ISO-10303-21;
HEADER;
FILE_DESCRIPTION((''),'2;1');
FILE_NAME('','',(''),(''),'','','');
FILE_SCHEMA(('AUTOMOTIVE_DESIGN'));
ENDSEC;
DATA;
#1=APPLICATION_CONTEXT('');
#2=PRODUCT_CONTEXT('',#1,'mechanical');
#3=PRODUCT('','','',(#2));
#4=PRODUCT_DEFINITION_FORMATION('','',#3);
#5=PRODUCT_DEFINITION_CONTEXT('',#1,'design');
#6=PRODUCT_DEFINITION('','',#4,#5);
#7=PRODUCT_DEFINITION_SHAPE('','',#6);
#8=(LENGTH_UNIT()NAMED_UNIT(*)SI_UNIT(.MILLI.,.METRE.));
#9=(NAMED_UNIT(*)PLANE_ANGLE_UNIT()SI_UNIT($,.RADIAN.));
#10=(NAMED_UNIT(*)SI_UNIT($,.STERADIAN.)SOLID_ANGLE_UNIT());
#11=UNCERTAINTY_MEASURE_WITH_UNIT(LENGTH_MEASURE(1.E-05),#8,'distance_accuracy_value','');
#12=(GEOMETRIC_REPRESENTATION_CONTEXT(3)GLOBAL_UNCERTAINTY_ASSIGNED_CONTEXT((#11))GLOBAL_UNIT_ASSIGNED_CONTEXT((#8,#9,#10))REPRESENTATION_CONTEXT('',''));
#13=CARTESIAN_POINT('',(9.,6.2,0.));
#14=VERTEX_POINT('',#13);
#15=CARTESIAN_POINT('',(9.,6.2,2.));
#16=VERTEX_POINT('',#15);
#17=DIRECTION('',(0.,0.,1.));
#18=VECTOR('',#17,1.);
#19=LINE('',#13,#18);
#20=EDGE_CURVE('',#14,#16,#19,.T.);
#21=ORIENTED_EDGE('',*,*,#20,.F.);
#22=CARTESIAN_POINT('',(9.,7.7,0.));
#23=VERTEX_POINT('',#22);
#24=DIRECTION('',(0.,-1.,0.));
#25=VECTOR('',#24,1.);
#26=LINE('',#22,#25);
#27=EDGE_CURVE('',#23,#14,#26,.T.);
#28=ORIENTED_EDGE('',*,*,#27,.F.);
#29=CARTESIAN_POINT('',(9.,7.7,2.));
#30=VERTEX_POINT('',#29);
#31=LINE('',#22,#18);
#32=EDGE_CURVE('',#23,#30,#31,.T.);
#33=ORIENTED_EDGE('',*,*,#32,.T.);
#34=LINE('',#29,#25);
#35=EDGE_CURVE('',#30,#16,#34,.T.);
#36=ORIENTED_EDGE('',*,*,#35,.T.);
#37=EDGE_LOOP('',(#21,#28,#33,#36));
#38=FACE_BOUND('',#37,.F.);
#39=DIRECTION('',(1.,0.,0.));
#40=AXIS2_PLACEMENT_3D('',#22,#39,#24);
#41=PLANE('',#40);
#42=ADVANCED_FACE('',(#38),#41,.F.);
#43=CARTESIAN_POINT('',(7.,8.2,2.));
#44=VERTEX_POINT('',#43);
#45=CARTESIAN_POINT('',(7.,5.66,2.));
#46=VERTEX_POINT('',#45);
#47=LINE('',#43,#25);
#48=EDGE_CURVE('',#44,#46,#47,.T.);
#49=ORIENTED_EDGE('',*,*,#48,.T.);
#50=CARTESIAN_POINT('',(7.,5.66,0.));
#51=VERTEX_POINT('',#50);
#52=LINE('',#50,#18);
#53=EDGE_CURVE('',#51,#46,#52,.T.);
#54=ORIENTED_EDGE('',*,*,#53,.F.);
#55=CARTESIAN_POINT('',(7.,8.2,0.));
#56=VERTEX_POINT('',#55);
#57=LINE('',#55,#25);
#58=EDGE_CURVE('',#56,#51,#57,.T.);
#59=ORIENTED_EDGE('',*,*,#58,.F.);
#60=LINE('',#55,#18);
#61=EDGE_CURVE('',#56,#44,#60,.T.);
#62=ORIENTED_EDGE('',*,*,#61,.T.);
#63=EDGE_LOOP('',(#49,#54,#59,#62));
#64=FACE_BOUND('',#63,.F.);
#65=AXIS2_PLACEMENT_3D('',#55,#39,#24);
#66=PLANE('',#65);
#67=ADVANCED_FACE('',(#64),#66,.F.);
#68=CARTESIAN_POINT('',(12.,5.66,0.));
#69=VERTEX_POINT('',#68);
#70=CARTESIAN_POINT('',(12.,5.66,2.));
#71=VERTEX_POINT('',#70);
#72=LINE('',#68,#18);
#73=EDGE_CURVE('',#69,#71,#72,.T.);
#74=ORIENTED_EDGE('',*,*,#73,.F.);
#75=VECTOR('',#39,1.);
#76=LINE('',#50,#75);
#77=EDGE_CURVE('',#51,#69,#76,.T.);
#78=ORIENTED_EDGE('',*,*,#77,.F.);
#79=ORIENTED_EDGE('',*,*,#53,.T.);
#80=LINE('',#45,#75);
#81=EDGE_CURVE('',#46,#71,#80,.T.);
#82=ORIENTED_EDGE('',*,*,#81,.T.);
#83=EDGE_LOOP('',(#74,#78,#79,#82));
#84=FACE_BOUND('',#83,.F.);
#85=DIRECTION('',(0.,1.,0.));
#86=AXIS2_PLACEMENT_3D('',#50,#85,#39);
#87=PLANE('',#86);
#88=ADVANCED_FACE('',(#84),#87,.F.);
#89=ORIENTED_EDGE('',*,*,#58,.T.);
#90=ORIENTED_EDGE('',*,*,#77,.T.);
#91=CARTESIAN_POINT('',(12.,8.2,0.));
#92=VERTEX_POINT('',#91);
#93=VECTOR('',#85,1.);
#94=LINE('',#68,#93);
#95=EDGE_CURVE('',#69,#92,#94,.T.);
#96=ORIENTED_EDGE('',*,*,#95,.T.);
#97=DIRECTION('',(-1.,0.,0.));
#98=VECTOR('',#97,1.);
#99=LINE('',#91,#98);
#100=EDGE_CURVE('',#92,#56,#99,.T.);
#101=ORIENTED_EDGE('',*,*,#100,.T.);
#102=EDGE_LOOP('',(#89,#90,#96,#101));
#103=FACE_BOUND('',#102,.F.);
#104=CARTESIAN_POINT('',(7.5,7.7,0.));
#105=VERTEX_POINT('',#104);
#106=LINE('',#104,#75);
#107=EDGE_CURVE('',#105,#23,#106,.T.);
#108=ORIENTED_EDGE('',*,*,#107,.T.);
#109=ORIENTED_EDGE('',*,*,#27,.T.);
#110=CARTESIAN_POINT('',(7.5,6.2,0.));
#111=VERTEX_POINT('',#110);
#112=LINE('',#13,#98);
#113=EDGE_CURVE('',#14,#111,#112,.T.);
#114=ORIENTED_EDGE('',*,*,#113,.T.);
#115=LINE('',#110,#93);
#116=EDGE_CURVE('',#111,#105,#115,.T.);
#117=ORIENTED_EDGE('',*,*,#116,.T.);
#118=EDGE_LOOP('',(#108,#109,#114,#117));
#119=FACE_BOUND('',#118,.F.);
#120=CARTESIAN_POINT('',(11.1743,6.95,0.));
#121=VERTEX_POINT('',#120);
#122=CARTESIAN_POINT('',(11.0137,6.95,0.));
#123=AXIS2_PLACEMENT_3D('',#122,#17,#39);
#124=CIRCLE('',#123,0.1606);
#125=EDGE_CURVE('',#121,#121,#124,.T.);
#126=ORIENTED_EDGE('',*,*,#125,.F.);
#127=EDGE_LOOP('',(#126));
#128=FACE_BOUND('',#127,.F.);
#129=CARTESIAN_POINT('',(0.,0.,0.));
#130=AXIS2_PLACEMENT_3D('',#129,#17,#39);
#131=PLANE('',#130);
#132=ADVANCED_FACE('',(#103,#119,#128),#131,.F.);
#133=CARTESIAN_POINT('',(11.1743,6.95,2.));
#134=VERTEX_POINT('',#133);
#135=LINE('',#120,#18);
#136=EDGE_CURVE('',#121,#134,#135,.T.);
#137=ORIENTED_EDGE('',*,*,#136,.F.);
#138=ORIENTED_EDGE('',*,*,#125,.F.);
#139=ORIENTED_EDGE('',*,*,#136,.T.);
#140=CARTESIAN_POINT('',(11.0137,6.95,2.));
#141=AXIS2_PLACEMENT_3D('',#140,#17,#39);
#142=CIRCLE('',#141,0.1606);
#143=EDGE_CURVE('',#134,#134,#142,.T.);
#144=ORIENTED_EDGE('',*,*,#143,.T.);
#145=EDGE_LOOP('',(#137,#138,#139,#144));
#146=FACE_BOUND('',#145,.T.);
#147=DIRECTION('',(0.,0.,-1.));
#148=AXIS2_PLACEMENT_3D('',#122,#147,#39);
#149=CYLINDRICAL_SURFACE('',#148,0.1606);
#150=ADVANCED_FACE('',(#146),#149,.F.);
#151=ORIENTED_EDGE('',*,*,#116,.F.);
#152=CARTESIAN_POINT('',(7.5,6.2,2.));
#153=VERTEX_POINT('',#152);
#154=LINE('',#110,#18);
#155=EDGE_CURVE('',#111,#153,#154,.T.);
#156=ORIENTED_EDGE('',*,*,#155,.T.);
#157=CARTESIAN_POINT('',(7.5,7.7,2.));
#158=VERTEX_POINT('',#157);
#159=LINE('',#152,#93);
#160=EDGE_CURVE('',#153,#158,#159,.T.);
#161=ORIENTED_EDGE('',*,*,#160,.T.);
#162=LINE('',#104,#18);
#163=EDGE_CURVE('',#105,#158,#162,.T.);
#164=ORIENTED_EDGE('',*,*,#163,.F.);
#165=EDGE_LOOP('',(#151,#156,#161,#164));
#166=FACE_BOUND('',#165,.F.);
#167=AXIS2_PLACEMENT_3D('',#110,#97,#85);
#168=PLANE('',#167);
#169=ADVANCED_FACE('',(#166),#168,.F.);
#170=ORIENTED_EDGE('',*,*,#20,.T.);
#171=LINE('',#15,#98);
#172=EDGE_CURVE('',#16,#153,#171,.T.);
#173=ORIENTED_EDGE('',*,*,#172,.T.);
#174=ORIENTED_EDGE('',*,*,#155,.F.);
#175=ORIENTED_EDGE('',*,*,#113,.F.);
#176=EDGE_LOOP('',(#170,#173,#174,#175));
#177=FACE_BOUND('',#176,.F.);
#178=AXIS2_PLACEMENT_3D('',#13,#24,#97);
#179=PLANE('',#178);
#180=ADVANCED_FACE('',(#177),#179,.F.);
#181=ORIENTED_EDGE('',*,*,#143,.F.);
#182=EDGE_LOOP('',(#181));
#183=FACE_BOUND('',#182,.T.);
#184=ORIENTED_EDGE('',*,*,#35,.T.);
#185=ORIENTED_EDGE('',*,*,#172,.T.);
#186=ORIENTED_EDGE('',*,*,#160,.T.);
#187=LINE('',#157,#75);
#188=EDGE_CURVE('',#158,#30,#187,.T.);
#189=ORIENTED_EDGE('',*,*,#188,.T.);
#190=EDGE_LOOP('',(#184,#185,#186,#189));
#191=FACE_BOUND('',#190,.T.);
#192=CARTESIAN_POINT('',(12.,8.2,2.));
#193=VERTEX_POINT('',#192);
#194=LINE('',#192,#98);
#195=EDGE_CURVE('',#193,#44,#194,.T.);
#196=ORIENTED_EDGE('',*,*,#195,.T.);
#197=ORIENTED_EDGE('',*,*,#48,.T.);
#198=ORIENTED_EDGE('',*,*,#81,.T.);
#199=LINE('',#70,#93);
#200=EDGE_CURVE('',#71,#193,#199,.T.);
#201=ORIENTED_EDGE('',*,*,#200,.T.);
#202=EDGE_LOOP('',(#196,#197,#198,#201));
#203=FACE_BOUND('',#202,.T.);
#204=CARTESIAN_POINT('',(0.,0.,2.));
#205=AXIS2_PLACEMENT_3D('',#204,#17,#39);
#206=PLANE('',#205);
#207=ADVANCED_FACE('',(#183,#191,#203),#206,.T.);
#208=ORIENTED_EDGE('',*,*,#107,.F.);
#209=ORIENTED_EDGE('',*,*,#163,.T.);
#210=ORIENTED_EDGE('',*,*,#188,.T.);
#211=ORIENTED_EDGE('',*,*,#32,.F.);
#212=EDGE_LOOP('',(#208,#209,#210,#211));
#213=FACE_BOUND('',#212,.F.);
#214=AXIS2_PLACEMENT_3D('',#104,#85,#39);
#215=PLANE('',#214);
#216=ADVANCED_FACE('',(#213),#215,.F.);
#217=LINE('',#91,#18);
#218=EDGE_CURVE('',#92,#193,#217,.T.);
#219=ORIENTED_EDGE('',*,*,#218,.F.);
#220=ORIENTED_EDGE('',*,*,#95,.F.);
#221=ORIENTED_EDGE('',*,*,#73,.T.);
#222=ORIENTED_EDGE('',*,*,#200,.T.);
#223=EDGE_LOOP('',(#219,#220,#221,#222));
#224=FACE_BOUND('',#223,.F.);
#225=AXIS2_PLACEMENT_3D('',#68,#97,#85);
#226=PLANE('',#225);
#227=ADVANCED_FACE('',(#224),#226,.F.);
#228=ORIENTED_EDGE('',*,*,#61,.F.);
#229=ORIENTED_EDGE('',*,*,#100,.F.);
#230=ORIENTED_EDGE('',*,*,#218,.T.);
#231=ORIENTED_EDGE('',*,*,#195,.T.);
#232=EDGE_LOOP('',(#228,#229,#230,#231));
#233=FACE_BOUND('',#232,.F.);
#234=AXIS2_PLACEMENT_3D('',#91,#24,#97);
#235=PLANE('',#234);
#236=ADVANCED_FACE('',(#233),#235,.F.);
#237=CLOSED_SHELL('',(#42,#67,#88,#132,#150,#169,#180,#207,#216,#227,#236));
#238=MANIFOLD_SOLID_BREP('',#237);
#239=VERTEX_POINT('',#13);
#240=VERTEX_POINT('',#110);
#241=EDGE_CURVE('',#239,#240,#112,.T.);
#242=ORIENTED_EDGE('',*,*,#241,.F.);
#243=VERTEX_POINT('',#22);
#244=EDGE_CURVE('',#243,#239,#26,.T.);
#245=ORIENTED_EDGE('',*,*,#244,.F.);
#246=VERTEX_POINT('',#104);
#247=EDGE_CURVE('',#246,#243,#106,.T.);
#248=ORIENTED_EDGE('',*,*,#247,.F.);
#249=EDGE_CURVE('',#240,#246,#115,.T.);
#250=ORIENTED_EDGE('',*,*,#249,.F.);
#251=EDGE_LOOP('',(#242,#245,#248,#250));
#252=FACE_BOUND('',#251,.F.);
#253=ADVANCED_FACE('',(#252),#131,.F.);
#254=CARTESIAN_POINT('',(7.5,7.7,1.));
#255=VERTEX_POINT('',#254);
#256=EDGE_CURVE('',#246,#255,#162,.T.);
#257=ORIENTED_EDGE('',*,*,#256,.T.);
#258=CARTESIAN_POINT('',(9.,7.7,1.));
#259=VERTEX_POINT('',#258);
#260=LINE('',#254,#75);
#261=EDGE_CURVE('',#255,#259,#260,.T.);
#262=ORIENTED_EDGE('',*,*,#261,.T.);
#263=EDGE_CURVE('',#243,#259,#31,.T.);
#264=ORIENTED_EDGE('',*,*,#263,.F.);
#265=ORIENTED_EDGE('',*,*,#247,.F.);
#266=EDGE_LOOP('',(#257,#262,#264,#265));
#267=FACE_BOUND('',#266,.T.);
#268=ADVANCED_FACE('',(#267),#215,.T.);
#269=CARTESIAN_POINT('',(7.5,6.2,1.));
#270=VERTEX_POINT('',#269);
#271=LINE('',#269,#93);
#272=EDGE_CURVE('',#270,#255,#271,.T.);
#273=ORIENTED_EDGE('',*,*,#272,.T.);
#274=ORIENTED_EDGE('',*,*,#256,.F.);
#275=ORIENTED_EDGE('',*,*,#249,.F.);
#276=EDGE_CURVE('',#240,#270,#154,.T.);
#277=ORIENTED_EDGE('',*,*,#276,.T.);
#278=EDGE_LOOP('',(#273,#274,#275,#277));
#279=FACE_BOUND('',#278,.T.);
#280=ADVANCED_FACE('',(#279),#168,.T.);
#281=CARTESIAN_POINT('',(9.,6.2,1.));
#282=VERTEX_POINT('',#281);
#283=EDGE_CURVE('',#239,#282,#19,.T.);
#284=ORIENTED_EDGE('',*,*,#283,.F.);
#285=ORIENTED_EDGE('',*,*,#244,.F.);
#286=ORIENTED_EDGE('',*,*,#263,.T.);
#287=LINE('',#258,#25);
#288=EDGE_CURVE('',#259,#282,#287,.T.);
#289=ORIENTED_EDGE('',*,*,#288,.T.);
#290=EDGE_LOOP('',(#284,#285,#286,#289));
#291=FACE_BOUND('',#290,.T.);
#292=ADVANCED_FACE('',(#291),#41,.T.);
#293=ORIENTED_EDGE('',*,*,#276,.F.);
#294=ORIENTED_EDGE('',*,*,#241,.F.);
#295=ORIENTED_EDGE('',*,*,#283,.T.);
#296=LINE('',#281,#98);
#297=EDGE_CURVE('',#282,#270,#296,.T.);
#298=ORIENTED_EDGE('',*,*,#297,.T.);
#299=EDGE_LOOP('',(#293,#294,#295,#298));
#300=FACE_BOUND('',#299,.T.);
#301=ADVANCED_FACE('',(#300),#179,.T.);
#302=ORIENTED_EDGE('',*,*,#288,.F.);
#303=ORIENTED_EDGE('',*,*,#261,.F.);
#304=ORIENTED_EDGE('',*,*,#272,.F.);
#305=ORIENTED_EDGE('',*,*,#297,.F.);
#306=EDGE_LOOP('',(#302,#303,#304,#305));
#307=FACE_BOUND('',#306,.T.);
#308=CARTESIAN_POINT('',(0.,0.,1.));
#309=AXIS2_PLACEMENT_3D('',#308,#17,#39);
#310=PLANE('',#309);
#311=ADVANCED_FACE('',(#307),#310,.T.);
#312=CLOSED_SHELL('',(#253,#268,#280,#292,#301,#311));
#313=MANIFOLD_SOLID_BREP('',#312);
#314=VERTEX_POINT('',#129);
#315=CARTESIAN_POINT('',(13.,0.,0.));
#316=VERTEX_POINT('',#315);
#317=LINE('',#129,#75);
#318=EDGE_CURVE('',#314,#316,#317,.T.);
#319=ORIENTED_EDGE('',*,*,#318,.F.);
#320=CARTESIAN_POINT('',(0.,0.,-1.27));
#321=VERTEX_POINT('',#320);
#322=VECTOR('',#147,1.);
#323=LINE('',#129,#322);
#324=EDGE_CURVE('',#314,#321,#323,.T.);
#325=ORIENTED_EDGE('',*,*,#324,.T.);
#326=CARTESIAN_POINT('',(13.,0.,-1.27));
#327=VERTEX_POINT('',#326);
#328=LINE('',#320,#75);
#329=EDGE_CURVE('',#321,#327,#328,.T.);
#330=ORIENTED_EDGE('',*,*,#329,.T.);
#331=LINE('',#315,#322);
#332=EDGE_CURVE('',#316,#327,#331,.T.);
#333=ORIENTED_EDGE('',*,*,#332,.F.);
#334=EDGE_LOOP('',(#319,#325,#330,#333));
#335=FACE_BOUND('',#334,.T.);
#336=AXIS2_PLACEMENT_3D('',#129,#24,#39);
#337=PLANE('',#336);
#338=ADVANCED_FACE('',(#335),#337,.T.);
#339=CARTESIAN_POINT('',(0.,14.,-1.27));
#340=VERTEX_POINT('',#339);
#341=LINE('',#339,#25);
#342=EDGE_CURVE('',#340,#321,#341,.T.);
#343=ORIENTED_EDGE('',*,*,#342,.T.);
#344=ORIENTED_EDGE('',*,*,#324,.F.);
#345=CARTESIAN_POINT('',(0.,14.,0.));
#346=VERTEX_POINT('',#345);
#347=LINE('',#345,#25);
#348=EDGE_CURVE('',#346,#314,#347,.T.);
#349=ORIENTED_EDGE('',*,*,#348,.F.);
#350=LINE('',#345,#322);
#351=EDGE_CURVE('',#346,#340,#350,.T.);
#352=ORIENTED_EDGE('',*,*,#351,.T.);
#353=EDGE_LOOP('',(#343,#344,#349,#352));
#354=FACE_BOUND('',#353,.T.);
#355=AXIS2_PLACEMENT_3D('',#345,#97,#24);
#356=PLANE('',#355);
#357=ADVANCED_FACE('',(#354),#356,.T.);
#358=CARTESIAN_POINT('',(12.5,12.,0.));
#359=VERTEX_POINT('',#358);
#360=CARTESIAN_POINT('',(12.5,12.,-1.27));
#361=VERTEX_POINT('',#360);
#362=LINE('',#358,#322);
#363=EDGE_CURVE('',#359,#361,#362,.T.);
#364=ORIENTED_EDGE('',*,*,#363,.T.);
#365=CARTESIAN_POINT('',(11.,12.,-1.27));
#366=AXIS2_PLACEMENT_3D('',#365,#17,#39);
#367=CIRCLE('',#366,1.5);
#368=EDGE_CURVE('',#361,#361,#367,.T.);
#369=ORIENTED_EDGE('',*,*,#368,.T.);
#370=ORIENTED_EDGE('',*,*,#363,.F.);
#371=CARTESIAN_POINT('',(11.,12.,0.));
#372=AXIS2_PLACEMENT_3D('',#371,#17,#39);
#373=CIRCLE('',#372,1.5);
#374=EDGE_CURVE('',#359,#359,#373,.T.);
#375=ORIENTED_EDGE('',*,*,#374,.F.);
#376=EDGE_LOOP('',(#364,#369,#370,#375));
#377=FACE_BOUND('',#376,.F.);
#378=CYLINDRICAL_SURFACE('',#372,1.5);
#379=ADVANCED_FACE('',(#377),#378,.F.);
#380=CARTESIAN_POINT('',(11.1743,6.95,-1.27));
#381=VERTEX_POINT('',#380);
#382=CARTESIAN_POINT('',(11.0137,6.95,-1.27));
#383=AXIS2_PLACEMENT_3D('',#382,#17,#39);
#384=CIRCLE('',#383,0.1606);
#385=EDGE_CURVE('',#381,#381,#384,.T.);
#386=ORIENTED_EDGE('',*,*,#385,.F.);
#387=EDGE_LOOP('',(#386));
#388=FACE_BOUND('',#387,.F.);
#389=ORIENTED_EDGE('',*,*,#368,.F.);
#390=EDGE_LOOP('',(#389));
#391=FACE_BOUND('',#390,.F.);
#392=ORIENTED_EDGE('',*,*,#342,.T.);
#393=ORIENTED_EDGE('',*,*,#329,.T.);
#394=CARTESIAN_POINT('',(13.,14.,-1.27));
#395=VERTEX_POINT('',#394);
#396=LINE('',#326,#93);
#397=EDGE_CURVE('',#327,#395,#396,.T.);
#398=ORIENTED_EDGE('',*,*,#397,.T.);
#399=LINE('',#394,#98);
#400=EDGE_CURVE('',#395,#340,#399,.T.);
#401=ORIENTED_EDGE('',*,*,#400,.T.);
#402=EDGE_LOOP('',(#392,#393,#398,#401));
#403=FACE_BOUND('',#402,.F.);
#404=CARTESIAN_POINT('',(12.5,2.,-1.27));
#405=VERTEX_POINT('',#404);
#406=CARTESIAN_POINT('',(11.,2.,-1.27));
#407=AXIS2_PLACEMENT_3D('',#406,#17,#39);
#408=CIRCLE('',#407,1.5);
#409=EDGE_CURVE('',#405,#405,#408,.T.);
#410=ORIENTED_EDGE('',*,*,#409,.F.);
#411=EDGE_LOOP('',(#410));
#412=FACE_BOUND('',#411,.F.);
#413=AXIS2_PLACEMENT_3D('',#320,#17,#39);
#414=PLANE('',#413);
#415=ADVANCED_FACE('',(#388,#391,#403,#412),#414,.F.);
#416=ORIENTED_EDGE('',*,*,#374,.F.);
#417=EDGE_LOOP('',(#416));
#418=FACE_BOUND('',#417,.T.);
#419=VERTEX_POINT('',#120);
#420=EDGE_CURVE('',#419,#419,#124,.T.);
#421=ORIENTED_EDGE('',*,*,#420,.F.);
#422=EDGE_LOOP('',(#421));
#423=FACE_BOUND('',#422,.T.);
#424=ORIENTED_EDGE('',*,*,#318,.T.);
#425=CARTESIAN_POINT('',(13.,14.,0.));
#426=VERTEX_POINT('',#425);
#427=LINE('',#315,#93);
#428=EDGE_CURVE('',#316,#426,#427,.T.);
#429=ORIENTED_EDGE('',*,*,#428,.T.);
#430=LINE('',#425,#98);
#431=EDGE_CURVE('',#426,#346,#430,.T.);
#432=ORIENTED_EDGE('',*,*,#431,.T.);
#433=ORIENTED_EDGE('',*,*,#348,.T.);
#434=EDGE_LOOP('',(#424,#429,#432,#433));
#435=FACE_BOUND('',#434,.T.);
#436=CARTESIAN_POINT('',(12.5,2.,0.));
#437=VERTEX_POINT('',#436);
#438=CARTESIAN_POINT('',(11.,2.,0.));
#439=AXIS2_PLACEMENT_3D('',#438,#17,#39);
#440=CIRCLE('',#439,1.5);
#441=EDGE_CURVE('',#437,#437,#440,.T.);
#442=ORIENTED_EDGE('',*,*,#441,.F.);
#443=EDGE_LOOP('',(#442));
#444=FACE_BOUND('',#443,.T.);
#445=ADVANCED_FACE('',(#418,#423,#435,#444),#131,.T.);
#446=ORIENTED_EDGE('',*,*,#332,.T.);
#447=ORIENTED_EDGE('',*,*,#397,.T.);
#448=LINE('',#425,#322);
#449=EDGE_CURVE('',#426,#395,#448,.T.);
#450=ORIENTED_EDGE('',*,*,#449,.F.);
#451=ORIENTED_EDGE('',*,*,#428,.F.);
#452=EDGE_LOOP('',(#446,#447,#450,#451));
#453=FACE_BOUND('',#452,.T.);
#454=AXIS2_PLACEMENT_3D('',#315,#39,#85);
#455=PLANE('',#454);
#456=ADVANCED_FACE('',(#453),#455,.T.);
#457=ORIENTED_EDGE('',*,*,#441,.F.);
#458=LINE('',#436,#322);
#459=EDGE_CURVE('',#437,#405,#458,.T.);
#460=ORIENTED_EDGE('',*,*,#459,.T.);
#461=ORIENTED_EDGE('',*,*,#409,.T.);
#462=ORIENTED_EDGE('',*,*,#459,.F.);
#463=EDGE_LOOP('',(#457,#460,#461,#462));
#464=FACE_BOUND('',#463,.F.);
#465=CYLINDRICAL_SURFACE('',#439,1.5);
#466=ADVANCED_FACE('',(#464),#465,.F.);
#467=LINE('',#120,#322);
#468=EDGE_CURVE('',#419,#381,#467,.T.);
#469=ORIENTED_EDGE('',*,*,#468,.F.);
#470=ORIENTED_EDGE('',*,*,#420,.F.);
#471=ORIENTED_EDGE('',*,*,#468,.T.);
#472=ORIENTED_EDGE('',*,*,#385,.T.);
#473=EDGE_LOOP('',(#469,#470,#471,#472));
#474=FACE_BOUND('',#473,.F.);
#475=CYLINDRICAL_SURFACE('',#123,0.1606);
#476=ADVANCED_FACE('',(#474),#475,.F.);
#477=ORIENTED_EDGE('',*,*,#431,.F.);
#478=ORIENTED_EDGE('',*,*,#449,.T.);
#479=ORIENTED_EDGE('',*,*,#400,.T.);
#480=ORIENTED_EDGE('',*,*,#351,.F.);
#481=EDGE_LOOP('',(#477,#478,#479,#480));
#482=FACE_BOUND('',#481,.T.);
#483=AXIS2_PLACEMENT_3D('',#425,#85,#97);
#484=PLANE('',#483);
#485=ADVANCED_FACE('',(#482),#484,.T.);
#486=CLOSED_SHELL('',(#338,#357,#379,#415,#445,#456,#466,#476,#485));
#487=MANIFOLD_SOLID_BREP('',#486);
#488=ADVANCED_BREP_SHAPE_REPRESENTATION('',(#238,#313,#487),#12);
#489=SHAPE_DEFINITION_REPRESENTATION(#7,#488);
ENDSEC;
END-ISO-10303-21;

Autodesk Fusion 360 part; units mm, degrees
sketch "Esquisse1" plane through (0, 0, 0) normal (0, 0, 1) x (1, 0, 0)
  line L0 (0, 0) -> (13, 0)
  line L1 (13, 0) -> (13, 14)
  line L2 (13, 14) -> (0, 14)
  line L3 (0, 14) -> (0, 0)
  circle A0 centre (11, 12) radius 1.5
  circle A1 centre (11, 2) radius 1.5
  line L4 (12, 8.2) -> (7, 8.2)
  line L5 (7, 8.2) -> (7, 5.66)
  line L6 (7, 5.66) -> (12, 5.66)
  line L7 (12, 5.66) -> (12, 8.2)
  line L8 (7.5, 7.7) -> (9, 7.7)
  line L9 (9, 7.7) -> (9, 6.2)
  line L10 (9, 6.2) -> (7.5, 6.2)
  line L11 (7.5, 6.2) -> (7.5, 7.7)
  circle A2 centre (11.0137, 6.95) radius 0.1606
  line L12 (11.9833, 10.8673) -> (11.9833, 3.1327) construction
  dimension "d1" = 13
  dimension "d2" = 14
  dimension "d3" = 3
  dimension "d4" = 3
  dimension "d5" = 5
  dimension "d6" = 2.54
extrude "Extrusion1" add sketch "Esquisse1" against normal blind 1.27 contours L0 L1 L2 L3 | L4 L5 L6 L7 | L8 L9 L10 L11 makes body 1
extrude "Extrusion2" add sketch "Esquisse1" along normal blind 2 separate body contours L4 L5 L6 L7 makes body 2
extrude "Extrusion3" add sketch "Esquisse1" along normal blind 1 separate body contours L8 L9 L10 L11 makes body 3
